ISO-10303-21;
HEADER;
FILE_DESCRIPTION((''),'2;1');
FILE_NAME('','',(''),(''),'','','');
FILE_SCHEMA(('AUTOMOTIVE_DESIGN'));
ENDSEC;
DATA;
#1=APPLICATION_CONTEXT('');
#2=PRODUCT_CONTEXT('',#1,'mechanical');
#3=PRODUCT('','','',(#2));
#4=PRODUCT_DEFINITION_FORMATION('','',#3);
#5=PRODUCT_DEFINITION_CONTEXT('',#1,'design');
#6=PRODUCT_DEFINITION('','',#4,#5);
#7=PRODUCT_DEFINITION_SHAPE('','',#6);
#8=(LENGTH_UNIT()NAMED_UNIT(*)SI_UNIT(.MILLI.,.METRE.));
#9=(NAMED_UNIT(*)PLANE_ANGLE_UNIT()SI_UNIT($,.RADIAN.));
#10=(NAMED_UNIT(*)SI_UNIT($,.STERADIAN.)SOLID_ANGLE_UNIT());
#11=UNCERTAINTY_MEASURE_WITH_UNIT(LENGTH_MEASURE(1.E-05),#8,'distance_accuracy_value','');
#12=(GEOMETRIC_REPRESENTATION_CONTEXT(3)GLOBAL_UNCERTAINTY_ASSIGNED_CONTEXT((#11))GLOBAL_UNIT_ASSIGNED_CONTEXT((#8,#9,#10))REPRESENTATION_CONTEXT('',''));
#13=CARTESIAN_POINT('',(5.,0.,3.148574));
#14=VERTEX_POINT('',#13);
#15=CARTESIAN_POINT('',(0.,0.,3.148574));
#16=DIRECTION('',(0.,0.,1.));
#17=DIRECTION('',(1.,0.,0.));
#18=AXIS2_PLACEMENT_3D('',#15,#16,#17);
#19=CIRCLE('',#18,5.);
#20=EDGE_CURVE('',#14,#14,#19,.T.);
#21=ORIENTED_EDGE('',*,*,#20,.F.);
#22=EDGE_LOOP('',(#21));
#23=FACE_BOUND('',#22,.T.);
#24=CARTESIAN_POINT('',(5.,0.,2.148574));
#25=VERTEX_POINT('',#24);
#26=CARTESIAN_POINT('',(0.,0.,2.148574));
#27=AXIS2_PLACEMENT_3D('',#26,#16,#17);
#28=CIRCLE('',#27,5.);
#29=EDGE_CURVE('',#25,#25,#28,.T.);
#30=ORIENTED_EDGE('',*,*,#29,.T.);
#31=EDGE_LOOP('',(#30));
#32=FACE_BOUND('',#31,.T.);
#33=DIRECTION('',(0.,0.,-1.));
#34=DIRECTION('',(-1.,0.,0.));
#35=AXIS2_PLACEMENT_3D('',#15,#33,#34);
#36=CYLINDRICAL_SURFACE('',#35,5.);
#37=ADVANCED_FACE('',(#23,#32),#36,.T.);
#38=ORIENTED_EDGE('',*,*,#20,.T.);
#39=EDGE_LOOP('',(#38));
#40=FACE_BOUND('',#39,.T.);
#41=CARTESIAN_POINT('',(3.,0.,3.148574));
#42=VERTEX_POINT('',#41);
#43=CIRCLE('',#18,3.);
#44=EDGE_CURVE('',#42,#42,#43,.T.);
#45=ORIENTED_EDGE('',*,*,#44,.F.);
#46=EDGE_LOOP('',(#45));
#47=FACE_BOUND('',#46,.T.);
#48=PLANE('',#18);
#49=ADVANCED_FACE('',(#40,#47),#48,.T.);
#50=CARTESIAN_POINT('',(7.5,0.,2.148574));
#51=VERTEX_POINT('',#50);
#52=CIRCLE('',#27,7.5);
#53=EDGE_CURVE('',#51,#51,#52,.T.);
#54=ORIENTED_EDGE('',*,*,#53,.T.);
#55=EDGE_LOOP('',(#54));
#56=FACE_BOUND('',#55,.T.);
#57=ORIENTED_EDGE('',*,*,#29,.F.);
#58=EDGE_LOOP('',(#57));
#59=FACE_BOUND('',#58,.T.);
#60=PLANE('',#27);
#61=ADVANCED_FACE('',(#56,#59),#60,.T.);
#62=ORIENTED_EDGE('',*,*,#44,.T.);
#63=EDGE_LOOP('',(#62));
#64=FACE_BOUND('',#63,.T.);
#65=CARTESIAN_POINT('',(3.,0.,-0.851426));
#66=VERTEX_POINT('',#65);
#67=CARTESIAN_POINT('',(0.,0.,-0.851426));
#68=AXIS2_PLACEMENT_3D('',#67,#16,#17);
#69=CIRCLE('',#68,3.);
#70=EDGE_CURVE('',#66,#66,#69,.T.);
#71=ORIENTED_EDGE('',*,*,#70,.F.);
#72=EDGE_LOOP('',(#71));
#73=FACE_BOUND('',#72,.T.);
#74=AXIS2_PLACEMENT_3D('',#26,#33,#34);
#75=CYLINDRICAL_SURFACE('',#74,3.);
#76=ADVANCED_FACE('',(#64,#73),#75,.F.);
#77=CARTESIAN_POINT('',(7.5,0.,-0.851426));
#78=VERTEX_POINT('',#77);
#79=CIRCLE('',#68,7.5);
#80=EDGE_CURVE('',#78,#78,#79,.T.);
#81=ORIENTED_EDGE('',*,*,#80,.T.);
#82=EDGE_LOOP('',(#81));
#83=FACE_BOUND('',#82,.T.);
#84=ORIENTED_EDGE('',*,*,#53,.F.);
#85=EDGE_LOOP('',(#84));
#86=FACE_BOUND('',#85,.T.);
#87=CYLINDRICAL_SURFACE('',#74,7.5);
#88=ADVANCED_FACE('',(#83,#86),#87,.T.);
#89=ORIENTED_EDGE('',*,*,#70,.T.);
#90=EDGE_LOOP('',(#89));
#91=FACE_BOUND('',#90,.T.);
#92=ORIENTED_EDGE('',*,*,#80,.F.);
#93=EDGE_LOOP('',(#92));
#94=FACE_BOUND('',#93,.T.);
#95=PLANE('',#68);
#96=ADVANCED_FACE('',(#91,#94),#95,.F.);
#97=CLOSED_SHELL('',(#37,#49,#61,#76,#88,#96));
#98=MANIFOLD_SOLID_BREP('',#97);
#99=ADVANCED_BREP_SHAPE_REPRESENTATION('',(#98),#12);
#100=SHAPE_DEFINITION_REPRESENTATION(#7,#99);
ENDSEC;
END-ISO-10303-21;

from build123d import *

# Parameters (mm, degrees)
SKETCH1_R           = 3.75
SKETCH1_R_2         = 1.5
BOSS_EXTRUDE1_DEPTH = 1.5
SKETCH2_R           = 2.5
SKETCH2_R_2         = 1.5
BOSS_EXTRUDE2_DEPTH = 0.5
SCALE1_SCALE        = 2


with BuildPart() as part:
    # Sketch1 → Boss-Extrude1 (new body)
    with BuildSketch(Plane.XY):
        Circle(SKETCH1_R)
        Circle(SKETCH1_R_2, mode=Mode.SUBTRACT)
    extrude(amount=BOSS_EXTRUDE1_DEPTH)

    # Sketch2 → Boss-Extrude2 (add)
    with BuildSketch(Plane.XY.offset(1.5)):
        Circle(SKETCH2_R)
        Circle(SKETCH2_R_2, mode=Mode.SUBTRACT)
    extrude(amount=BOSS_EXTRUDE2_DEPTH)


with BuildPart() as part_1:
    # Scale1: scaled about (0, 0, 0.851426307)
    add(part.part.scale(SCALE1_SCALE).moved(Location((0, 0, -0.851426307))))


solid = part_1.part
